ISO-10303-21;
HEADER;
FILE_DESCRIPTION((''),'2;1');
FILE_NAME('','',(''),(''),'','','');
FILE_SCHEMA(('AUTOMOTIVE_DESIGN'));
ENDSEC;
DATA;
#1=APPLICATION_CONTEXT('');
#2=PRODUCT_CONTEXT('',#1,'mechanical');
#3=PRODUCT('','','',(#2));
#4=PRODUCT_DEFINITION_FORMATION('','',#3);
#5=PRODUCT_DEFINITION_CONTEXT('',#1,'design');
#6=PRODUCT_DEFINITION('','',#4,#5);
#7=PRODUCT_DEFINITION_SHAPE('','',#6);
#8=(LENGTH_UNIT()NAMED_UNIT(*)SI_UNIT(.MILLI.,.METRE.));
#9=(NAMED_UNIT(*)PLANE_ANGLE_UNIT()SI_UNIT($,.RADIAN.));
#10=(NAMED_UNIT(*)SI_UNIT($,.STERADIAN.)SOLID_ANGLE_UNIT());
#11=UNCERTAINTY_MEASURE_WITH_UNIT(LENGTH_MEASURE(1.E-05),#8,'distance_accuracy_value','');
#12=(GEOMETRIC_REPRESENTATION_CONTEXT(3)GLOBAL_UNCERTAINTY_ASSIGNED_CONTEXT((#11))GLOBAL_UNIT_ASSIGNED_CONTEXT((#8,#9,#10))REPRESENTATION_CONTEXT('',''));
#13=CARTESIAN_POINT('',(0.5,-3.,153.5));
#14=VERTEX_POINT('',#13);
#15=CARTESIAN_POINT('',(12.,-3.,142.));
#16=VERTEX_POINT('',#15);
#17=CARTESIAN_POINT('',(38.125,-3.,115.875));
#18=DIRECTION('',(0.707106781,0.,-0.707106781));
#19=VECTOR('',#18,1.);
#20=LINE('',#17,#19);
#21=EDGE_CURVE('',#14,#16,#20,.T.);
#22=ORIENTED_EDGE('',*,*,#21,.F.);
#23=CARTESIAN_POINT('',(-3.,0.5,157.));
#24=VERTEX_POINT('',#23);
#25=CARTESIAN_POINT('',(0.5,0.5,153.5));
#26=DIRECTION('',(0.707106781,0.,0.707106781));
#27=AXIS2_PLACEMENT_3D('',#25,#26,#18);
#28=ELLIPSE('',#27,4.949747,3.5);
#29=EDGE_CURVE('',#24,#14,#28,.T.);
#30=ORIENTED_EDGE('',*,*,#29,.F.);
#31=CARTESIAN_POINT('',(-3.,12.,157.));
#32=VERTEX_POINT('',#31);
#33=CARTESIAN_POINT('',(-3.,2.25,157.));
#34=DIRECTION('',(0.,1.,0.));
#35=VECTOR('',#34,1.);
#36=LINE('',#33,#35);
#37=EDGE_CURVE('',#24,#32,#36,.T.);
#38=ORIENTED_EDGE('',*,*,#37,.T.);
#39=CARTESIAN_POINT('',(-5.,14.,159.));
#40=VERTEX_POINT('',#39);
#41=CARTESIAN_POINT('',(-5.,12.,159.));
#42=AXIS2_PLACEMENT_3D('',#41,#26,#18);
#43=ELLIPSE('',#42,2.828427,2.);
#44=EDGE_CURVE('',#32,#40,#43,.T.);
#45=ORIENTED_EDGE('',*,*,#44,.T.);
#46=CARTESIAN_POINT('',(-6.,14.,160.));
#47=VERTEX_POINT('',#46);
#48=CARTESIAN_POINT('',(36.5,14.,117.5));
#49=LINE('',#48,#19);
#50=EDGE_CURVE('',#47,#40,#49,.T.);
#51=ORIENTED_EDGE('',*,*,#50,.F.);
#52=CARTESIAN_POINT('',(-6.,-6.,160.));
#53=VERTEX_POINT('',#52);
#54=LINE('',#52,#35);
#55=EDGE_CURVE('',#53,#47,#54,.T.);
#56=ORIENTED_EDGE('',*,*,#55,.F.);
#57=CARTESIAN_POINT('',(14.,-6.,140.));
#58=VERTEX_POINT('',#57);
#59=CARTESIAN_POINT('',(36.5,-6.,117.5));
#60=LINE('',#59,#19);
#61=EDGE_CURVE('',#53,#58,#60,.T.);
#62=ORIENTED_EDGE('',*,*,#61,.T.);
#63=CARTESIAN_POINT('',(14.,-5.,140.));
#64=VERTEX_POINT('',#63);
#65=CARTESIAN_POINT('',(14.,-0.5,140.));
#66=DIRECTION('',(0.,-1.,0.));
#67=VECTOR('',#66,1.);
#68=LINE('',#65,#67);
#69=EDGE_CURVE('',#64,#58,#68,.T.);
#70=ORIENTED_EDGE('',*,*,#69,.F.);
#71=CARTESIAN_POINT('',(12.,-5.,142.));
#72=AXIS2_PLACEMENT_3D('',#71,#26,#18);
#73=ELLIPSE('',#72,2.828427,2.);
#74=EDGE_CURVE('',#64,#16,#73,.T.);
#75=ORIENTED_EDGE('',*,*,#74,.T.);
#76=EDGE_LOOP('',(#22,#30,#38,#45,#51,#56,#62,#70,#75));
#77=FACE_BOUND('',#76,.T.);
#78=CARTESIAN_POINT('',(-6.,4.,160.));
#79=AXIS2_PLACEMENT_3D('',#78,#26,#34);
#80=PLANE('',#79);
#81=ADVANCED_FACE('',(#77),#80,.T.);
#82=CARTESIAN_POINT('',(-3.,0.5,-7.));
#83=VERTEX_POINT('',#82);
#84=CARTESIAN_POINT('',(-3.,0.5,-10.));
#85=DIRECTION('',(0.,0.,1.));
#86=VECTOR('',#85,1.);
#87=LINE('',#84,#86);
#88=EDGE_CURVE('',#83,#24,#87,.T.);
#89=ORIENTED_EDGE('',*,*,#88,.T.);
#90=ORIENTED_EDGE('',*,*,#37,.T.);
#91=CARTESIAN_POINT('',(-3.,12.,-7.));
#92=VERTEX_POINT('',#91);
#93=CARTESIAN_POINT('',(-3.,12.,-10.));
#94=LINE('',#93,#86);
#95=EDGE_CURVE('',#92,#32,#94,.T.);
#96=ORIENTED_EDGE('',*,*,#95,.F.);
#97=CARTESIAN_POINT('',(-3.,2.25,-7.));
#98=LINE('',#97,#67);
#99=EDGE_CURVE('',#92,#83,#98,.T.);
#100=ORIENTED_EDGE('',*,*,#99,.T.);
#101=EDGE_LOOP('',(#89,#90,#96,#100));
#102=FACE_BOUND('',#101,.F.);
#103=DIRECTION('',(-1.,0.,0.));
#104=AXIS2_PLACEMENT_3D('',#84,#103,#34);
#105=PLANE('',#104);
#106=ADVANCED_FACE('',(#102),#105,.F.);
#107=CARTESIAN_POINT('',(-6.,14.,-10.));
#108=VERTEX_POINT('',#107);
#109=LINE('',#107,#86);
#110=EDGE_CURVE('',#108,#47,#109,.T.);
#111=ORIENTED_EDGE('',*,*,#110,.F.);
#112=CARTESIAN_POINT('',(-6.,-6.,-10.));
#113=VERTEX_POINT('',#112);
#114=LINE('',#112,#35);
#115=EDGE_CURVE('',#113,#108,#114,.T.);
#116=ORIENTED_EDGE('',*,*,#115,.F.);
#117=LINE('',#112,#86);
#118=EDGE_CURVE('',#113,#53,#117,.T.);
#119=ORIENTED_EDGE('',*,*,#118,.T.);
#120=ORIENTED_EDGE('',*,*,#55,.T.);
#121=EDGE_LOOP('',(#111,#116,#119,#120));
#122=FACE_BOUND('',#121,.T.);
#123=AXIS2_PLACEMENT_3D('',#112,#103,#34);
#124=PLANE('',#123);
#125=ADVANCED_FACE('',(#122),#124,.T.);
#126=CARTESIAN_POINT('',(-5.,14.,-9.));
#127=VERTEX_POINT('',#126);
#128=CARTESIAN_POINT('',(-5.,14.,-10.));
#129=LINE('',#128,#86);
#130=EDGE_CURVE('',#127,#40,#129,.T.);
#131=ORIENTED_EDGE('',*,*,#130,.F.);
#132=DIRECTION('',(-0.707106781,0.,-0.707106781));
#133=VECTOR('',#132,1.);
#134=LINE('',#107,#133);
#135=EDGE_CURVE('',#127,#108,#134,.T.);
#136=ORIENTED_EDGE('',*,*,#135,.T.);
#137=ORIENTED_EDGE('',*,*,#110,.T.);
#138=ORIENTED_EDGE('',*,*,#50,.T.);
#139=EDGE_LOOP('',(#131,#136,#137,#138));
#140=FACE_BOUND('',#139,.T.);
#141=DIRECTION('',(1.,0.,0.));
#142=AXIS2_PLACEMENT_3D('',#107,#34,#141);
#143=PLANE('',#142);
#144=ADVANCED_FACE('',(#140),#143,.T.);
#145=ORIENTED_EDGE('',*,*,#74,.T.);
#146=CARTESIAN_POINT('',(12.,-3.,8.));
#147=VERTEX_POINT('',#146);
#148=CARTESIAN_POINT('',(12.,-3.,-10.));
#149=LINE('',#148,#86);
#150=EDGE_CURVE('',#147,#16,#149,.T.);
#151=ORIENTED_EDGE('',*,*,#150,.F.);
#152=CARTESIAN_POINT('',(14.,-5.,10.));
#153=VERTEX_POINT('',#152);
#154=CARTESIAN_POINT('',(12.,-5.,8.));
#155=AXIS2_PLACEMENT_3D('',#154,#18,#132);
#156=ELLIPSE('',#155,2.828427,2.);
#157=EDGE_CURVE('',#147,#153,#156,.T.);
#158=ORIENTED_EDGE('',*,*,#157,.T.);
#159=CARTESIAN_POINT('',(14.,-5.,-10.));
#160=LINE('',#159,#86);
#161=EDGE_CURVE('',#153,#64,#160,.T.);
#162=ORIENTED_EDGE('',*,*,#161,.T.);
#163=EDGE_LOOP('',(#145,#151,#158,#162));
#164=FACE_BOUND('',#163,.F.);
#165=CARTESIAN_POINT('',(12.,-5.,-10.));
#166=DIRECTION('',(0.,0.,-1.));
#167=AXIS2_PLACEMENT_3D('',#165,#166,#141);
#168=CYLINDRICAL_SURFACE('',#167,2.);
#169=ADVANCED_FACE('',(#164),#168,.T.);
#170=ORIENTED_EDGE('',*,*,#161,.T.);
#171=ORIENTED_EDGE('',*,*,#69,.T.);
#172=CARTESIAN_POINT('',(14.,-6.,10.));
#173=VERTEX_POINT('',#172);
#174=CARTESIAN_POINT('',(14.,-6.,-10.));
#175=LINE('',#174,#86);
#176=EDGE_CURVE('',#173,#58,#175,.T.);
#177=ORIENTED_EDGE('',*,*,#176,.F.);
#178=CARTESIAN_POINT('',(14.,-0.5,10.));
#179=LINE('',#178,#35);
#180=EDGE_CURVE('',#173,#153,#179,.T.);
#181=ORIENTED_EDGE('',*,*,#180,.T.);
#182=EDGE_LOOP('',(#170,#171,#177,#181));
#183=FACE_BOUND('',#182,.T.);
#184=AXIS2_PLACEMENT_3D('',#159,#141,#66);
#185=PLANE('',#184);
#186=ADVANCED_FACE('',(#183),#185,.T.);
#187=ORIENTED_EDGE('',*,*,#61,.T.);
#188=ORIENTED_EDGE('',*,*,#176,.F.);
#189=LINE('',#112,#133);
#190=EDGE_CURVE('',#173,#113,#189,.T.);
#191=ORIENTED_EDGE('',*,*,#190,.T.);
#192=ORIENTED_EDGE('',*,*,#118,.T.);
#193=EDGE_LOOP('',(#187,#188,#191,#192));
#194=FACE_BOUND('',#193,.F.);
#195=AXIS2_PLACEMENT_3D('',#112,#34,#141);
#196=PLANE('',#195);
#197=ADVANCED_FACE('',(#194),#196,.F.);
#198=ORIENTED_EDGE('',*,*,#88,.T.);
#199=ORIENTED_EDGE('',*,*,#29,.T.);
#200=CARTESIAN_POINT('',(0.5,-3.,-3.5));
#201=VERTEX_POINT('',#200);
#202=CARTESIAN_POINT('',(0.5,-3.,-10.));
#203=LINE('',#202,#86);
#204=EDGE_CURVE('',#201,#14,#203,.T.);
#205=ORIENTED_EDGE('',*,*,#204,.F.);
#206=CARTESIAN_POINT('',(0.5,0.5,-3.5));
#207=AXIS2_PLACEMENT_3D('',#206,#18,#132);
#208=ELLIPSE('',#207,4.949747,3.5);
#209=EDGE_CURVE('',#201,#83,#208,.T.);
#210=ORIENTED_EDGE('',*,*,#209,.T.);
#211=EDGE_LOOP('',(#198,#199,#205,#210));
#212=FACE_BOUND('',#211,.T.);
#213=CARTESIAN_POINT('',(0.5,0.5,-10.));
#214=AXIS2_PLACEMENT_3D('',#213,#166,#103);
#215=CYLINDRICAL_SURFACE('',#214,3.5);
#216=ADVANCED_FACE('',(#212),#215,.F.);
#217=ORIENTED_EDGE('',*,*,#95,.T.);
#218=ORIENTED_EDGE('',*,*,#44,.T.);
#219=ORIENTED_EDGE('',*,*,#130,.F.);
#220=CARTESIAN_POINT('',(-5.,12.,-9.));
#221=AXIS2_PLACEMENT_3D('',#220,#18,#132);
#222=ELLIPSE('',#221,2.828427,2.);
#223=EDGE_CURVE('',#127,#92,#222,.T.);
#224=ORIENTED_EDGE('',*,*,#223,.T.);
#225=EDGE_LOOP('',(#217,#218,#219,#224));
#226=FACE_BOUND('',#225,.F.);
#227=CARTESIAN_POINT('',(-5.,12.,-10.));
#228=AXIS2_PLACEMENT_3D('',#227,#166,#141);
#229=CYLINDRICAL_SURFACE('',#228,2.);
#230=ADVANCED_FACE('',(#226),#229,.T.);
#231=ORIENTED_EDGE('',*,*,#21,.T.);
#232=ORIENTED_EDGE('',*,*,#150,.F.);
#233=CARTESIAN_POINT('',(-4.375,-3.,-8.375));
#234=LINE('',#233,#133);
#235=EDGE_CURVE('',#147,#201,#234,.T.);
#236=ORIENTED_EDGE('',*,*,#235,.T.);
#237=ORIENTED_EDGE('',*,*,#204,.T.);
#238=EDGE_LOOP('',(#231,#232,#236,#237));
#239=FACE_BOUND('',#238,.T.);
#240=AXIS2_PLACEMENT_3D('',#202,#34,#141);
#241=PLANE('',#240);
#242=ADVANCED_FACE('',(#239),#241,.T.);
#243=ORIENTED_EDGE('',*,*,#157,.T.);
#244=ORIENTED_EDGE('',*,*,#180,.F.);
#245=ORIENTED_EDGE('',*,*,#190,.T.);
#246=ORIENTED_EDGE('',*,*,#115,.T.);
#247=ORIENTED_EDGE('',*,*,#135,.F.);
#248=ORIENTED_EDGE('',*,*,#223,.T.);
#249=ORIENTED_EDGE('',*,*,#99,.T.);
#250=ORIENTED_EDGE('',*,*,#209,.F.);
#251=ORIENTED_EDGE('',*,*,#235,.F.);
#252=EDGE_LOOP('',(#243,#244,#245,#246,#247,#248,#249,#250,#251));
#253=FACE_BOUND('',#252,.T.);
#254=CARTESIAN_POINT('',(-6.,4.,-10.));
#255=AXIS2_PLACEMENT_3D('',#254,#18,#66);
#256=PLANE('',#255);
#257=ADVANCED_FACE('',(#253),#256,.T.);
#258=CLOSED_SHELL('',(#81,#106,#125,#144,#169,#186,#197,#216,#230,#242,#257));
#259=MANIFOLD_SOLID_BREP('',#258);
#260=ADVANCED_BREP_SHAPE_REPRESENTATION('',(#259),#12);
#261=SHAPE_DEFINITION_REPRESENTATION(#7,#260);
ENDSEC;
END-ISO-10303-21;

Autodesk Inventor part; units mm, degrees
ref_plane "Start plane" through (0, 0, -10) normal (0, 0, 1) x (1, 0, 0)
ref_plane "End plane" through (0, 0, 160) normal (0, 0, 1) x (1, 0, 0)
sketch "Sketch" plane through (0, 0, 0) normal (0, 0, 1) x (1, 0, 0)
  line L0 (-3, 0.5) -> (-3, 12)
  line L1 (-6, 14) -> (-5, 14)
  line L2 (-6, -6) -> (-6, 14)
  line L3 (-6, -6) -> (14, -6)
  line L4 (14, -5) -> (14, -6)
  line L5 (0.5, -3) -> (12, -3)
  arc A0 (-3, 0.5) -> (0.5, -3) centre (0.5, 0.5) ccw
  arc A1 (-3, 12) -> (-5, 14) centre (-5, 12) ccw
  arc A2 (14, -5) -> (12, -3) centre (12, -5) ccw
  line L6 (0, 18.4971) -> (0, -10.0828) construction
  line L7 (-10.0828, 0) -> (18.4971, 0) construction
  point P0 (-3, -3)
  point P1 (-3, 14)
  point P2 (14, -3)
  dimension "d4" = 20
  dimension "d6" = 20
  dimension "d8" = 3
  dimension "d10" = 3
  dimension "d17" = 3.5
  dimension "d18" = 2
  dimension "d19" = 6
  dimension "d20" = 6
extrude "Body" add sketch "Sketch" along normal up to surface (170 mm away) from surface at -10
sketch "Sketch3" plane through (0, 0, 0) normal (0, 0, 1) x (1, 0, 0)
  line L0 (0, 0) -> (10, 0)
ref_plane "Work Plane10" through (0, 0, 0) normal (0, -1, 0) x (1, 0, 0)
sketch "Sketch4" plane through (0, 0, 0) normal (0, -1, 0) x (1, 0, 0)
  line L0 (-2, -10) -> (12, -10)
  line L1 (-2, 160) -> (12, 160)
  dimension "d24" = 170
ref_plane "Work Plane11" through (-6, 4, -10) normal (0.7071, 0, -0.7071) x (-0.7071, 0, -0.7071)
split "Split1" plane through (-6, 4, -10) removes the side toward (0.7071, 0, -0.7071)
ref_plane "Work Plane12" through (-6, 4, 160) normal (0.7071, 0, 0.7071) x (0.7071, 0, -0.7071)
split "Split2" plane through (-6, 4, 160) removes the side toward (0.7071, 0, 0.7071)
equation "\"d4\" = b"
equation "\"d6\" = b"
equation "\"d8\" = ParT"
equation "\"d10\" = ParT"
equation "\"d17\" = R"
equation "\"d18\" = R1"
equation "\"d19\" = ex"
equation "\"d20\" = d19"
equation "\"d11\" = G_L"
equation "\"b\" = 20"
equation "\"ParT\" = 3"
equation "\"R\" = 3.5"
equation "\"R1\" = 2"
equation "\"G_L\" = d24"
equation "\"ex\" = 6"
equation "\"G_OFFSET_START\" = 10"
equation "\"G_OFFSET_END\" = 10"
equation "\"d21\" = -G_OFFSET_START"
equation "\"d22\" = G_OFFSET_END + B_L"
equation "\"B_L\" = 150"
properties part number "ISO 657-1 - L20x20x3-170" material "Stainless Steel"
